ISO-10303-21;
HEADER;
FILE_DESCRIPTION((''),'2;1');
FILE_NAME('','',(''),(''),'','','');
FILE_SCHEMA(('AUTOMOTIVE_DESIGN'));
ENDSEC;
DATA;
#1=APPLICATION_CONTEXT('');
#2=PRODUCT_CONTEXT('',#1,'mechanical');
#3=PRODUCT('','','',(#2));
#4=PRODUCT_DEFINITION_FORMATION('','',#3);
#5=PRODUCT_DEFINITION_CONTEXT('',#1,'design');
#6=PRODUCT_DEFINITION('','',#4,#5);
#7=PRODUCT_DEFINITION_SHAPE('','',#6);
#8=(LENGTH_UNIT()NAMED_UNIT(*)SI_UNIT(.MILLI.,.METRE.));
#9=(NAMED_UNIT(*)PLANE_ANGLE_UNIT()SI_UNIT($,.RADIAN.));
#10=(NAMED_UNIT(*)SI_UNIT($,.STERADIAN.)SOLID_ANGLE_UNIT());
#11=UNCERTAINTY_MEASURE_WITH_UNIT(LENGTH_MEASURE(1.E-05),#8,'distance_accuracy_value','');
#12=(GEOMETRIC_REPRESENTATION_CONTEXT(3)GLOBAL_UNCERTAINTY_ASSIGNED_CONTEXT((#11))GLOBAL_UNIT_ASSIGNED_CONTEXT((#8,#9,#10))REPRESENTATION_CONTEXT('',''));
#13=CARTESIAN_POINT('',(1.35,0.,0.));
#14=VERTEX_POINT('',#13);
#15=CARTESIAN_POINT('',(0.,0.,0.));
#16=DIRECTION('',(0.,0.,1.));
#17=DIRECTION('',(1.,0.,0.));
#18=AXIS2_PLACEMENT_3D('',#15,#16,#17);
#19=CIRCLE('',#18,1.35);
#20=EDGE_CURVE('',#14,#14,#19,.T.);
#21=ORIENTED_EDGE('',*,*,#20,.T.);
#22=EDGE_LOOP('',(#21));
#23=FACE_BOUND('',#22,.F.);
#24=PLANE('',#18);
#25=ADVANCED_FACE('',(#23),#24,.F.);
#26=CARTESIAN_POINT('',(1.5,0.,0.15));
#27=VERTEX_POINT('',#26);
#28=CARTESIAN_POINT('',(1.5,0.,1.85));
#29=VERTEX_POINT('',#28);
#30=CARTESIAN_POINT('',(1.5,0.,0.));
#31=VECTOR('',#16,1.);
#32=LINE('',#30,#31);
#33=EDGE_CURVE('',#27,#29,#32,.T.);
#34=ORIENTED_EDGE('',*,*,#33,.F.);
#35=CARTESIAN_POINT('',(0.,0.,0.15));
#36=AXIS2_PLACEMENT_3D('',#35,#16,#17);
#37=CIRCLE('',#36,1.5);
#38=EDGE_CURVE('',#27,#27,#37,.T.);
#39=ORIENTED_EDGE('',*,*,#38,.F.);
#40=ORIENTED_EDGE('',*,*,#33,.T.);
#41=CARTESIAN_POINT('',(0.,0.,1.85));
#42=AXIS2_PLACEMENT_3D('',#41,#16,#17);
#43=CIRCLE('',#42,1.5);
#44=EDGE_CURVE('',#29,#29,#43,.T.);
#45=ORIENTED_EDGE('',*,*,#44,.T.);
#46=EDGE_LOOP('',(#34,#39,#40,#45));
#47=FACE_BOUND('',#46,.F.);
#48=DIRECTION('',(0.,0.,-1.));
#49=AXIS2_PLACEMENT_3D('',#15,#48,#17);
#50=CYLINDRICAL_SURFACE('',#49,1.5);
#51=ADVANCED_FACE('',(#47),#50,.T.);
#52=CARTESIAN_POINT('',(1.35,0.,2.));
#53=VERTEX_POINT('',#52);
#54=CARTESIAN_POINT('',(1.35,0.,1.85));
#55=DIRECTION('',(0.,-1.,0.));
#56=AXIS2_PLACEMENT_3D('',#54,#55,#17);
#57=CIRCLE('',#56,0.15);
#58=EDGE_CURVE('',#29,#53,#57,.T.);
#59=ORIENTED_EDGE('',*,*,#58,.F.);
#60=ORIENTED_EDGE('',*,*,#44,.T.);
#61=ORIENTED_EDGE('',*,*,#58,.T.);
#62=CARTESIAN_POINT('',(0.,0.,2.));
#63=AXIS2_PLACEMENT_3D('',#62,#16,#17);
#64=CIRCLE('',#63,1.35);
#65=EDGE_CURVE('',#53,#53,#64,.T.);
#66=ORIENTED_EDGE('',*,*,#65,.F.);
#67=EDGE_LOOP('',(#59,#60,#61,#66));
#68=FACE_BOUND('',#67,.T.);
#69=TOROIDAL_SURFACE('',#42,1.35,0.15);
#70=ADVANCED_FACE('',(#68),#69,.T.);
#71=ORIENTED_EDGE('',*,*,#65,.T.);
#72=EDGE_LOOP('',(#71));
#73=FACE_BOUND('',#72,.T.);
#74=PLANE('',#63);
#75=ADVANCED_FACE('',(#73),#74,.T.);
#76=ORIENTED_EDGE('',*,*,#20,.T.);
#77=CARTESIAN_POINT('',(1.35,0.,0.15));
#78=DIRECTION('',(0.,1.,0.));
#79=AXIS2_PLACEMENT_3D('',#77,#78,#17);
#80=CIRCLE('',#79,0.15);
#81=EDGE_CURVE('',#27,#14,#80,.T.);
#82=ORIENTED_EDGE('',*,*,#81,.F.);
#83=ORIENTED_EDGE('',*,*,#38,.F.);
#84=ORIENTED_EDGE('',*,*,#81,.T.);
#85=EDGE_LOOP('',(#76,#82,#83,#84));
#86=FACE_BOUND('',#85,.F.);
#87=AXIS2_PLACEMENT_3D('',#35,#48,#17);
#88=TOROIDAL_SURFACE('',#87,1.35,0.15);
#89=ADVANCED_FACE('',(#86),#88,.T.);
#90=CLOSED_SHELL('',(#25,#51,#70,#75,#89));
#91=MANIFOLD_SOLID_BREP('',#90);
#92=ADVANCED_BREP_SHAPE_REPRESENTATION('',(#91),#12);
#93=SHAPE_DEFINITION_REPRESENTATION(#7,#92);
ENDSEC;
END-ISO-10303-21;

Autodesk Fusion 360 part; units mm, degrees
sketch "Sketch1" plane through (0, 0, 0) normal (0, 0, 1) x (1, 0, 0)
  circle A0 centre (0, 0) radius 1.5
  dimension "d1" = 3
extrude "Extrude1" add sketch "Sketch1" along normal blind 2
fillet "Fillet1" radius 0.15 2 edges at (-1.3985, -0.5424, 2) (-1.3985, -0.5424, 0)
